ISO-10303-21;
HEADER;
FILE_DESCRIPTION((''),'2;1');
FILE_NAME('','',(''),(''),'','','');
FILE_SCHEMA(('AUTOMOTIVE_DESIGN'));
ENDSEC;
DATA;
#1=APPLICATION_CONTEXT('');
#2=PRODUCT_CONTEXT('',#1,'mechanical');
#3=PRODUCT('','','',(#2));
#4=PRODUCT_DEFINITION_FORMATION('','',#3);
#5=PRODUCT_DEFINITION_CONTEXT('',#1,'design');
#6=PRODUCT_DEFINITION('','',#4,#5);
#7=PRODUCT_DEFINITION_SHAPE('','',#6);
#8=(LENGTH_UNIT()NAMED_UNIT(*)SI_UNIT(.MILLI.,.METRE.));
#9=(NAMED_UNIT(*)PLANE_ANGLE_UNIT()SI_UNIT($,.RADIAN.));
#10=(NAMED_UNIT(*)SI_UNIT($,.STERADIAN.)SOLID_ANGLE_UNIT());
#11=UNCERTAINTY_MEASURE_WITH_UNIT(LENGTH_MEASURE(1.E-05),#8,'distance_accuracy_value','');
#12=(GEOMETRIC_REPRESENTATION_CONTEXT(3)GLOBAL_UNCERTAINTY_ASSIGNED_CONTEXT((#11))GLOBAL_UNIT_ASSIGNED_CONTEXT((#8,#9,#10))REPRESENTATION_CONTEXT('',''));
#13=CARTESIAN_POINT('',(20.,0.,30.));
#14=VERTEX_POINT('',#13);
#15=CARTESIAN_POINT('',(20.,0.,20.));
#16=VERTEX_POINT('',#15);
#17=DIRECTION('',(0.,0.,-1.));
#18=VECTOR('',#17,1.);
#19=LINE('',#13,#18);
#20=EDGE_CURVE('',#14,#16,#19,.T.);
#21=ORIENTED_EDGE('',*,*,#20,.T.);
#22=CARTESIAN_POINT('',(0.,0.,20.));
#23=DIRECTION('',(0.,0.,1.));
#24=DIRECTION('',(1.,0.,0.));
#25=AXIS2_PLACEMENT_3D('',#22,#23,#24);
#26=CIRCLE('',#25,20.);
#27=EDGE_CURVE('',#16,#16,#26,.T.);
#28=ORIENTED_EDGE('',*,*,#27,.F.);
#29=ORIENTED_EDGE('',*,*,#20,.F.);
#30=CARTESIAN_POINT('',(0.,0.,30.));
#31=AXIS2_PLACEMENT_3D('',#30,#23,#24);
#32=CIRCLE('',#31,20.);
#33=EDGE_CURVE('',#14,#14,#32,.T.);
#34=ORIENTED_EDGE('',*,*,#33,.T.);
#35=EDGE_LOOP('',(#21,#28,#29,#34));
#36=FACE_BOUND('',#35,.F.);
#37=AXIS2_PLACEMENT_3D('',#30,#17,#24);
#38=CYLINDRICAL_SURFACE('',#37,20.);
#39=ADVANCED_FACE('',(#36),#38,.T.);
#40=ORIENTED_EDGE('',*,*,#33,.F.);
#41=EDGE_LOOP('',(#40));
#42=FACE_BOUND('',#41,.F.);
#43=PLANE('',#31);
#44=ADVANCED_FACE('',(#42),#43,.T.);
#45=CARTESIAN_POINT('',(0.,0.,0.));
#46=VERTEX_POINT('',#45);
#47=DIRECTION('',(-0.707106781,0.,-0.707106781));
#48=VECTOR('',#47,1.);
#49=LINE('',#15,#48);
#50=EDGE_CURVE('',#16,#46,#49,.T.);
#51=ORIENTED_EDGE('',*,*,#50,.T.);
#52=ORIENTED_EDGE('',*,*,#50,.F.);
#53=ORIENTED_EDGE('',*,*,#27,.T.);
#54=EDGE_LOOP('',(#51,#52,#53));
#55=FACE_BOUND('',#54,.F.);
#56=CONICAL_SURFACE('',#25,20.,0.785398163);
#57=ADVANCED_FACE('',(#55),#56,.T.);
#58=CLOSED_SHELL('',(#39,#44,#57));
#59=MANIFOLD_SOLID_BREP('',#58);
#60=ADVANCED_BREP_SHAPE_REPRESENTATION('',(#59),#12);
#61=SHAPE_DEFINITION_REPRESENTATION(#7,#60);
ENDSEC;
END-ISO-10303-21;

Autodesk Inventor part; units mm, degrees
ref_plane "YZ Plane" through (0, 0, 0) normal (1, 0, 0) x (0, 1, 0)
ref_plane "XZ Plane" through (0, 0, 0) normal (0, 1, 0) x (-1, 0, 0)
ref_plane "XY Plane" through (0, 0, 0) normal (0, 0, 1) x (1, 0, 0)
sketch "Sketch4" plane through (0, 0, 0) normal (0, 1, 0) x (-1, 0, 0)
  line L0 (0, 30) -> (-20, 30)
  line L1 (-20, 30) -> (-20, 20)
  line L2 (-20, 20) -> (0, 0)
  line L3 (0, 0) -> (0, 30)
  dimension "d7" = 20
  dimension "d8" = 30
  dimension "d12" = 20
revolve "Revolution2" add sketch "Sketch4" angle 360 about axis through (0, 0, 0) along (0, 0, 1)
properties part number "extruderHead"
